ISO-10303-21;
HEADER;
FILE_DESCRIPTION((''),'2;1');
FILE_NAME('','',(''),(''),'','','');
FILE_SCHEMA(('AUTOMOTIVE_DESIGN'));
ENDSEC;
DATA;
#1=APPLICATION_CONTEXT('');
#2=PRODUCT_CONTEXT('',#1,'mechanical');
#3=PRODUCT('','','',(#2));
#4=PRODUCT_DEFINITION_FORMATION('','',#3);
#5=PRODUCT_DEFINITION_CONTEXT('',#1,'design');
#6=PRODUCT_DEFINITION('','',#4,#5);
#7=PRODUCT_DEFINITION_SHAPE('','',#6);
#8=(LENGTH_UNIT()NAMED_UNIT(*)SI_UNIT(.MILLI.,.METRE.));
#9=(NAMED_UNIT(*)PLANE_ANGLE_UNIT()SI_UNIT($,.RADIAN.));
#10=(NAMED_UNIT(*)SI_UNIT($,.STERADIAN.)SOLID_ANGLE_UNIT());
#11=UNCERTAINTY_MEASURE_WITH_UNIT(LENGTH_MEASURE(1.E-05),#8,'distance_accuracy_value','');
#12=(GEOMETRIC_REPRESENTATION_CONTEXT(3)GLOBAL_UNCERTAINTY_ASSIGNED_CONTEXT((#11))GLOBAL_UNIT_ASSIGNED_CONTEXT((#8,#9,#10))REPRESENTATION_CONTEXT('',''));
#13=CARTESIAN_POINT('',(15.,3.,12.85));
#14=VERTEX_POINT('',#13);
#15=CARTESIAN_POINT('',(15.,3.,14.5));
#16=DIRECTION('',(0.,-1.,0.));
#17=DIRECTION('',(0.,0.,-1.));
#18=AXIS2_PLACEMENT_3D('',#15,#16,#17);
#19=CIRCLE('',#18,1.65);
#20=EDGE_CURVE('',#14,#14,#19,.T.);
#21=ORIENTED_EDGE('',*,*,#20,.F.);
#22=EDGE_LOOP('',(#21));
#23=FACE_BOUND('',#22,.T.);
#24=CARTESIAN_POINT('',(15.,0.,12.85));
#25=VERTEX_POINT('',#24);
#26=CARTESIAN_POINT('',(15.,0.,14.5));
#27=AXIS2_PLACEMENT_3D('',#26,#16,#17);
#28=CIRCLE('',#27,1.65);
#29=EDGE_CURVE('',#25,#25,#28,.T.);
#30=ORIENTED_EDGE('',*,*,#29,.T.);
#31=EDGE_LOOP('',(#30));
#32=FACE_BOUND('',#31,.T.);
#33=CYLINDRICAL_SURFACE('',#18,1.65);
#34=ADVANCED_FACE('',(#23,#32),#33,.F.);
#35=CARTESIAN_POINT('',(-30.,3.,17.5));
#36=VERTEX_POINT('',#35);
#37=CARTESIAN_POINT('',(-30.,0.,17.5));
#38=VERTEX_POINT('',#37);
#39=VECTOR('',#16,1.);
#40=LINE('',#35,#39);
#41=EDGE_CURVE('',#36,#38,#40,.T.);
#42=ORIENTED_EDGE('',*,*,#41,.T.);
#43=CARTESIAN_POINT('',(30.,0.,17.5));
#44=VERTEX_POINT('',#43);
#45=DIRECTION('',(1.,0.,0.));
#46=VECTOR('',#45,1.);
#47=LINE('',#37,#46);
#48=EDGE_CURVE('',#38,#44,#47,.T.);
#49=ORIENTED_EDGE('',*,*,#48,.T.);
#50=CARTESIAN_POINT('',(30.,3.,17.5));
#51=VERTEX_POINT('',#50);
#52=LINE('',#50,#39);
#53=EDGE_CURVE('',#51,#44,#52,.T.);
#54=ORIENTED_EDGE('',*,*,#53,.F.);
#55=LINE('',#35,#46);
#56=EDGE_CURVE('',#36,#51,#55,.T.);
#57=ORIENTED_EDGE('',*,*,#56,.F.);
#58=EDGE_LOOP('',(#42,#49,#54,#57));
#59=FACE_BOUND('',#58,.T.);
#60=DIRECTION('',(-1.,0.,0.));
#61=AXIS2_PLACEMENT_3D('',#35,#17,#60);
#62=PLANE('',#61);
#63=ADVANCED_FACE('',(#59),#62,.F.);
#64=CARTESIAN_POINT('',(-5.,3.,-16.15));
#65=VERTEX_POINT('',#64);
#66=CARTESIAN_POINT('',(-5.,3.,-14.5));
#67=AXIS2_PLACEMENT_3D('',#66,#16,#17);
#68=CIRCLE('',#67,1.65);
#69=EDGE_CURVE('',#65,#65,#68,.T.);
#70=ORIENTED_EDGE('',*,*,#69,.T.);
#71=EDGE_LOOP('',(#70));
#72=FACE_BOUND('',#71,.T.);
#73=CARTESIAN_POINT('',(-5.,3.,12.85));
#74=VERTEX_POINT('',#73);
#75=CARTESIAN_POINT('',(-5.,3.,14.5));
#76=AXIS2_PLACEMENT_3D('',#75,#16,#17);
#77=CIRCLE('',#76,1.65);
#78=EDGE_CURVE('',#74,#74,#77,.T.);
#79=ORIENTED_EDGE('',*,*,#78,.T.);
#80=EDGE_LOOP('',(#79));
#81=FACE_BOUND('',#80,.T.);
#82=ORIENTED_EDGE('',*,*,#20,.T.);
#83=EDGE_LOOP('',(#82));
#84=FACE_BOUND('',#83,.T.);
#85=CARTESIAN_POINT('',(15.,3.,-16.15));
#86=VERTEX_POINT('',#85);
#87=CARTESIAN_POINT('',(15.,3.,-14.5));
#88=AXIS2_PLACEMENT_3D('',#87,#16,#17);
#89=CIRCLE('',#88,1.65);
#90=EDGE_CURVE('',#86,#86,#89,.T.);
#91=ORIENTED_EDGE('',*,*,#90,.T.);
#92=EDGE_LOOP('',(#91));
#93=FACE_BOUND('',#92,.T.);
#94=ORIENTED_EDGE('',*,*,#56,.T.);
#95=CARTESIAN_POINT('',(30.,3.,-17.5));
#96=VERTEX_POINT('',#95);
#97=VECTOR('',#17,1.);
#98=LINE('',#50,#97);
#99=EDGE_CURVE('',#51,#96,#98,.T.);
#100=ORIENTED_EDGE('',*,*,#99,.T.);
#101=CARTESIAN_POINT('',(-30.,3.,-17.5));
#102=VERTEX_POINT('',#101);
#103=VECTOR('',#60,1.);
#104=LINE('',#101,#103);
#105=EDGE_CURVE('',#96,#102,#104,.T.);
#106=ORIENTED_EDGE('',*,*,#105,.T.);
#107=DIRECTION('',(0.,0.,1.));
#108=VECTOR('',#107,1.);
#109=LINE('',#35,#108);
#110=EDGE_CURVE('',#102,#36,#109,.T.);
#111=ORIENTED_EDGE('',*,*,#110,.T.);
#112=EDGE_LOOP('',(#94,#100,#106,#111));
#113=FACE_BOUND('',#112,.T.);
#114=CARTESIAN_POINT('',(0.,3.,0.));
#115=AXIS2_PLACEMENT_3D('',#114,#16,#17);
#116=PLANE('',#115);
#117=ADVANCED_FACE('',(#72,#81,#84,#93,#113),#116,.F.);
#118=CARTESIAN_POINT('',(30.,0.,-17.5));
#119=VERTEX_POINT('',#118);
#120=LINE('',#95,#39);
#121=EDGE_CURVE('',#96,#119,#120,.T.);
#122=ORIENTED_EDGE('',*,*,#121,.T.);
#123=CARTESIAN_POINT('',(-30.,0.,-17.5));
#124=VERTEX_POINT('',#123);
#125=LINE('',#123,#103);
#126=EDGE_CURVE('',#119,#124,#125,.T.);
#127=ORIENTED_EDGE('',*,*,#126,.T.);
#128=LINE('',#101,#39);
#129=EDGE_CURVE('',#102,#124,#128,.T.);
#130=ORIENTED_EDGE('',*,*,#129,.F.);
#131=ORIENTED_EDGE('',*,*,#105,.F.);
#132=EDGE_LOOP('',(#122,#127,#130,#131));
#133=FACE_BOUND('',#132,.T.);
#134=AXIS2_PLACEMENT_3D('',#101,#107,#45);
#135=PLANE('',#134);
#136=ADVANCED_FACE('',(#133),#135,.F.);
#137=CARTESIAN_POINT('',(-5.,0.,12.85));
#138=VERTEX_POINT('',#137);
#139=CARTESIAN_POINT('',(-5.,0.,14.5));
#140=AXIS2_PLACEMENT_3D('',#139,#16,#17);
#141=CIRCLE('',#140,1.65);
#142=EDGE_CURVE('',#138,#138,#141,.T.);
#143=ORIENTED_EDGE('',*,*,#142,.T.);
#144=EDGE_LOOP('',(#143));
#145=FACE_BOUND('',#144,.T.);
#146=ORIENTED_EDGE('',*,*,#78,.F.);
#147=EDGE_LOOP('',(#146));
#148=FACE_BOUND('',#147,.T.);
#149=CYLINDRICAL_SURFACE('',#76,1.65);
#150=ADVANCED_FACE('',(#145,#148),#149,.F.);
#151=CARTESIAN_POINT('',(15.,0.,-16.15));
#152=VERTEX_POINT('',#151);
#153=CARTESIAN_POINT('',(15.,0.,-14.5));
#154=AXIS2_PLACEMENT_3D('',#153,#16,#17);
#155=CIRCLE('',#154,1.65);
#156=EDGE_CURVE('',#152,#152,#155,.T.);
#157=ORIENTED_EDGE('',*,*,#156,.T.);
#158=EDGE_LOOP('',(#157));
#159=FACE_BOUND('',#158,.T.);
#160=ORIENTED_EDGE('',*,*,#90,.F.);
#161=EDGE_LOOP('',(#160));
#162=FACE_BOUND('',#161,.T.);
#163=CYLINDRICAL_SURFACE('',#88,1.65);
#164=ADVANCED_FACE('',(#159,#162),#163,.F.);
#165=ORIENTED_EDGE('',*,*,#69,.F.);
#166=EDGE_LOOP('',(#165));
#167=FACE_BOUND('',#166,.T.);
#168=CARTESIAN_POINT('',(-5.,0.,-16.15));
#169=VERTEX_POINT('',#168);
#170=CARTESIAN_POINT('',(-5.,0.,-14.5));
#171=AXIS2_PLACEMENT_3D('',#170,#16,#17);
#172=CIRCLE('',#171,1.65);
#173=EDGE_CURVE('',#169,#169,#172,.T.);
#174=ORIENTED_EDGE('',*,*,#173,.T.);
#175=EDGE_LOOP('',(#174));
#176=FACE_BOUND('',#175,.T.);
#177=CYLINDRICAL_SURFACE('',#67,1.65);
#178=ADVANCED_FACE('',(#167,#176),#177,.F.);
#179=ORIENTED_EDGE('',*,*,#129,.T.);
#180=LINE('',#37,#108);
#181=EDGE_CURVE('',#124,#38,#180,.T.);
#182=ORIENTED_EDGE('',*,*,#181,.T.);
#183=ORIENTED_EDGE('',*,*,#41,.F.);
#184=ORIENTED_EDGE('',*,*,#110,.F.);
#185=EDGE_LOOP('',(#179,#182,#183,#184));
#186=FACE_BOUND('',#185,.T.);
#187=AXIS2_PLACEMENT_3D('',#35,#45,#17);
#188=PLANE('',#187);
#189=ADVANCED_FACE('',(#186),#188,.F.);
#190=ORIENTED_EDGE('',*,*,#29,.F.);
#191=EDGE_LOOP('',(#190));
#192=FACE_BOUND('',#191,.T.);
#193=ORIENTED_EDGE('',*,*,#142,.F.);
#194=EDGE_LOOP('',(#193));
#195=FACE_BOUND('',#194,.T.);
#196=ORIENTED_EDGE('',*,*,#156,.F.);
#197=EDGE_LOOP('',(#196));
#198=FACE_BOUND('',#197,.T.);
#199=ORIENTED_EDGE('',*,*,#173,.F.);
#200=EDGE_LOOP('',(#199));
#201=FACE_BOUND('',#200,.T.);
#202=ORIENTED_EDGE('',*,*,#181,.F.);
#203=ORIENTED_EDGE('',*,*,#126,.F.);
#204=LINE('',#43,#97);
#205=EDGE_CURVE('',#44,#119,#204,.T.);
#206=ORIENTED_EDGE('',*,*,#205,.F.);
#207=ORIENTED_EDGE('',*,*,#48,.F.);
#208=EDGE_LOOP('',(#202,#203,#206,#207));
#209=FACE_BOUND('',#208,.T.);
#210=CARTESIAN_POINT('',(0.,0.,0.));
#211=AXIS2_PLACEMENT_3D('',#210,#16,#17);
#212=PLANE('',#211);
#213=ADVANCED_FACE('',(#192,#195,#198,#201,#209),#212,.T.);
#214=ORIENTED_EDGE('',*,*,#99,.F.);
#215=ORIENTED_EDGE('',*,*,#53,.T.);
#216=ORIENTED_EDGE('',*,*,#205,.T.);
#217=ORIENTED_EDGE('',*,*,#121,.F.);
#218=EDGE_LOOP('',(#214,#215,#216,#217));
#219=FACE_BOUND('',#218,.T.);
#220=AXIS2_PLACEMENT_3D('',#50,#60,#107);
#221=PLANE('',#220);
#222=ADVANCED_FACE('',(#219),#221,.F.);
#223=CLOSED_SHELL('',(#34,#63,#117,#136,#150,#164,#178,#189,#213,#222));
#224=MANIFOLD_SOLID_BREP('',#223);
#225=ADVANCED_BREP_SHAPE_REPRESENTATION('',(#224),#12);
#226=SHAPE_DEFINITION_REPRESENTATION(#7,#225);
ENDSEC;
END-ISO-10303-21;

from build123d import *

# Parameters (mm, degrees)
SKETCH_1_W          = 60
SKETCH_1_H          = 35
EXTRUDE_1_DEPTH     = 3
SKETCH_2_R          = 1.65
CUT_EXTRUDE_1_DEPTH = 3


with BuildPart() as part:
    # 草图1 → 凸台-拉伸1 (new body)
    with BuildSketch(Plane(origin=(0, 0, 0), x_dir=(1, 0, 0), z_dir=(0, 1, 0))):
        Rectangle(SKETCH_1_W, SKETCH_1_H)
    extrude(amount=EXTRUDE_1_DEPTH)

    # 草图2 → 切除-拉伸1 (cut)
    with BuildSketch(Plane.XZ):
        with Locations(Location((15, 14.5, 0), (0, 0, 270))):
            Circle(SKETCH_2_R)
        with Locations(Location((-5, 14.5, 0), (0, 0, 270))):
            Circle(SKETCH_2_R)
        with Locations(Location((-5, -14.5, 0), (0, 0, 270))):
            Circle(SKETCH_2_R)
        with Locations(Location((15, -14.5, 0), (0, 0, 270))):
            Circle(SKETCH_2_R)
    extrude(amount=-CUT_EXTRUDE_1_DEPTH, mode=Mode.SUBTRACT)


solid = part.part
